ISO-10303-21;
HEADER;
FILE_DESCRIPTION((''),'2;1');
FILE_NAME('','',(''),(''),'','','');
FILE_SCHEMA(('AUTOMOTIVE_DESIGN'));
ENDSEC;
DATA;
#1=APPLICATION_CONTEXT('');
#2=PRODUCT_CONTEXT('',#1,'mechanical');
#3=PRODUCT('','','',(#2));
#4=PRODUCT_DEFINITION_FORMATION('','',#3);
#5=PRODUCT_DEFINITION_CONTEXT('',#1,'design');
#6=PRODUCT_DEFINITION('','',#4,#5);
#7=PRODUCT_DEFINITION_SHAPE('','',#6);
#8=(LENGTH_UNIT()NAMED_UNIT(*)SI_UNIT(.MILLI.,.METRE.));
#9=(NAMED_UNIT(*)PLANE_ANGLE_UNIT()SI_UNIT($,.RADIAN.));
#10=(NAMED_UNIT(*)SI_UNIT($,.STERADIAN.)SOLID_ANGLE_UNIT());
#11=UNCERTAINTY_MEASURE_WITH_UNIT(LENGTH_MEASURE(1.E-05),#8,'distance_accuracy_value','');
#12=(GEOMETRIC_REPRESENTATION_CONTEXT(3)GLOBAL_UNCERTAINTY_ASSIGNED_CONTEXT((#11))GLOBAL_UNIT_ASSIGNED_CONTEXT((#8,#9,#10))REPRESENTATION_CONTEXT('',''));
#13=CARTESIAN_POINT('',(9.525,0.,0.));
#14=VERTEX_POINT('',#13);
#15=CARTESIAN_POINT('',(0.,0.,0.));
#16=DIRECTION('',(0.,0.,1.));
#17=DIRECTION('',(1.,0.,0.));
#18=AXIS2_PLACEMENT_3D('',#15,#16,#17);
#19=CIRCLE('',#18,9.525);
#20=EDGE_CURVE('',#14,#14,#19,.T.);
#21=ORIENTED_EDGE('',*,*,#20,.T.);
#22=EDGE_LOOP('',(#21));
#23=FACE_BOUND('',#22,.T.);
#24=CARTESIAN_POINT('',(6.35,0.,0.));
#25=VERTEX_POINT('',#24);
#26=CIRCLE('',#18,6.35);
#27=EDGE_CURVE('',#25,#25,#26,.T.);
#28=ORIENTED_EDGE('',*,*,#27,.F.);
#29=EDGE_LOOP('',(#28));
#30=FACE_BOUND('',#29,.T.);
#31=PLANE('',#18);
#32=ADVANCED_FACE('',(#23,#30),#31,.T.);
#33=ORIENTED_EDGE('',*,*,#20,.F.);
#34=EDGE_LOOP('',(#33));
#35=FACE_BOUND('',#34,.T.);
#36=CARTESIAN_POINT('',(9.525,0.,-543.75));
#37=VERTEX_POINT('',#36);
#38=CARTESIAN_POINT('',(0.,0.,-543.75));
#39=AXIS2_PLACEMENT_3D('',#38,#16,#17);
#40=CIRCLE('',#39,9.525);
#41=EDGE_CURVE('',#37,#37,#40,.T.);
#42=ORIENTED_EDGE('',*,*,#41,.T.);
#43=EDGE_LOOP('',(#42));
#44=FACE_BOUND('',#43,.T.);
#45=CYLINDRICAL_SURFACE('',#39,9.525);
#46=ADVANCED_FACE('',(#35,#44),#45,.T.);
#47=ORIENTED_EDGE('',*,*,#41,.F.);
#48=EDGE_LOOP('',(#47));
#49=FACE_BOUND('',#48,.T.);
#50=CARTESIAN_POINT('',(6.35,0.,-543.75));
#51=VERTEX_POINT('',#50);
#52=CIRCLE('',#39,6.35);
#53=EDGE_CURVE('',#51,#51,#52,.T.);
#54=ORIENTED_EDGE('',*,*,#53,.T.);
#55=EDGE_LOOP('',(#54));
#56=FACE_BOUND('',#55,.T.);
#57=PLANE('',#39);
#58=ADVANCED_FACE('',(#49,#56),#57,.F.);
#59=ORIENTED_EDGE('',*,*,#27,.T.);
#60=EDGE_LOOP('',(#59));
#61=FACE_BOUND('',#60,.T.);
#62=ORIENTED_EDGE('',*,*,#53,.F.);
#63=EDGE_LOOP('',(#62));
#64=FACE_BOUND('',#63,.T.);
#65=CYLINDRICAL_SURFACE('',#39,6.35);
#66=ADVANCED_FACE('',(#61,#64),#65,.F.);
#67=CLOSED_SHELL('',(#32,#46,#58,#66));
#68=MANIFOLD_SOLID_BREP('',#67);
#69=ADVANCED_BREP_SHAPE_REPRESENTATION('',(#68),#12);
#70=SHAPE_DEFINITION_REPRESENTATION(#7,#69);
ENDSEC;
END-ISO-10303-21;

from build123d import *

# Parameters (mm, degrees)
SKETCH1_R           = 9.525
SKETCH1_R_2         = 6.35
BOSS_EXTRUDE1_DEPTH = 543.75


with BuildPart() as part:
    # Sketch1 → Boss-Extrude1 (new body)
    with BuildSketch(Plane.XY):
        Circle(SKETCH1_R)
        Circle(SKETCH1_R_2, mode=Mode.SUBTRACT)
    extrude(amount=-BOSS_EXTRUDE1_DEPTH)


solid = part.part
